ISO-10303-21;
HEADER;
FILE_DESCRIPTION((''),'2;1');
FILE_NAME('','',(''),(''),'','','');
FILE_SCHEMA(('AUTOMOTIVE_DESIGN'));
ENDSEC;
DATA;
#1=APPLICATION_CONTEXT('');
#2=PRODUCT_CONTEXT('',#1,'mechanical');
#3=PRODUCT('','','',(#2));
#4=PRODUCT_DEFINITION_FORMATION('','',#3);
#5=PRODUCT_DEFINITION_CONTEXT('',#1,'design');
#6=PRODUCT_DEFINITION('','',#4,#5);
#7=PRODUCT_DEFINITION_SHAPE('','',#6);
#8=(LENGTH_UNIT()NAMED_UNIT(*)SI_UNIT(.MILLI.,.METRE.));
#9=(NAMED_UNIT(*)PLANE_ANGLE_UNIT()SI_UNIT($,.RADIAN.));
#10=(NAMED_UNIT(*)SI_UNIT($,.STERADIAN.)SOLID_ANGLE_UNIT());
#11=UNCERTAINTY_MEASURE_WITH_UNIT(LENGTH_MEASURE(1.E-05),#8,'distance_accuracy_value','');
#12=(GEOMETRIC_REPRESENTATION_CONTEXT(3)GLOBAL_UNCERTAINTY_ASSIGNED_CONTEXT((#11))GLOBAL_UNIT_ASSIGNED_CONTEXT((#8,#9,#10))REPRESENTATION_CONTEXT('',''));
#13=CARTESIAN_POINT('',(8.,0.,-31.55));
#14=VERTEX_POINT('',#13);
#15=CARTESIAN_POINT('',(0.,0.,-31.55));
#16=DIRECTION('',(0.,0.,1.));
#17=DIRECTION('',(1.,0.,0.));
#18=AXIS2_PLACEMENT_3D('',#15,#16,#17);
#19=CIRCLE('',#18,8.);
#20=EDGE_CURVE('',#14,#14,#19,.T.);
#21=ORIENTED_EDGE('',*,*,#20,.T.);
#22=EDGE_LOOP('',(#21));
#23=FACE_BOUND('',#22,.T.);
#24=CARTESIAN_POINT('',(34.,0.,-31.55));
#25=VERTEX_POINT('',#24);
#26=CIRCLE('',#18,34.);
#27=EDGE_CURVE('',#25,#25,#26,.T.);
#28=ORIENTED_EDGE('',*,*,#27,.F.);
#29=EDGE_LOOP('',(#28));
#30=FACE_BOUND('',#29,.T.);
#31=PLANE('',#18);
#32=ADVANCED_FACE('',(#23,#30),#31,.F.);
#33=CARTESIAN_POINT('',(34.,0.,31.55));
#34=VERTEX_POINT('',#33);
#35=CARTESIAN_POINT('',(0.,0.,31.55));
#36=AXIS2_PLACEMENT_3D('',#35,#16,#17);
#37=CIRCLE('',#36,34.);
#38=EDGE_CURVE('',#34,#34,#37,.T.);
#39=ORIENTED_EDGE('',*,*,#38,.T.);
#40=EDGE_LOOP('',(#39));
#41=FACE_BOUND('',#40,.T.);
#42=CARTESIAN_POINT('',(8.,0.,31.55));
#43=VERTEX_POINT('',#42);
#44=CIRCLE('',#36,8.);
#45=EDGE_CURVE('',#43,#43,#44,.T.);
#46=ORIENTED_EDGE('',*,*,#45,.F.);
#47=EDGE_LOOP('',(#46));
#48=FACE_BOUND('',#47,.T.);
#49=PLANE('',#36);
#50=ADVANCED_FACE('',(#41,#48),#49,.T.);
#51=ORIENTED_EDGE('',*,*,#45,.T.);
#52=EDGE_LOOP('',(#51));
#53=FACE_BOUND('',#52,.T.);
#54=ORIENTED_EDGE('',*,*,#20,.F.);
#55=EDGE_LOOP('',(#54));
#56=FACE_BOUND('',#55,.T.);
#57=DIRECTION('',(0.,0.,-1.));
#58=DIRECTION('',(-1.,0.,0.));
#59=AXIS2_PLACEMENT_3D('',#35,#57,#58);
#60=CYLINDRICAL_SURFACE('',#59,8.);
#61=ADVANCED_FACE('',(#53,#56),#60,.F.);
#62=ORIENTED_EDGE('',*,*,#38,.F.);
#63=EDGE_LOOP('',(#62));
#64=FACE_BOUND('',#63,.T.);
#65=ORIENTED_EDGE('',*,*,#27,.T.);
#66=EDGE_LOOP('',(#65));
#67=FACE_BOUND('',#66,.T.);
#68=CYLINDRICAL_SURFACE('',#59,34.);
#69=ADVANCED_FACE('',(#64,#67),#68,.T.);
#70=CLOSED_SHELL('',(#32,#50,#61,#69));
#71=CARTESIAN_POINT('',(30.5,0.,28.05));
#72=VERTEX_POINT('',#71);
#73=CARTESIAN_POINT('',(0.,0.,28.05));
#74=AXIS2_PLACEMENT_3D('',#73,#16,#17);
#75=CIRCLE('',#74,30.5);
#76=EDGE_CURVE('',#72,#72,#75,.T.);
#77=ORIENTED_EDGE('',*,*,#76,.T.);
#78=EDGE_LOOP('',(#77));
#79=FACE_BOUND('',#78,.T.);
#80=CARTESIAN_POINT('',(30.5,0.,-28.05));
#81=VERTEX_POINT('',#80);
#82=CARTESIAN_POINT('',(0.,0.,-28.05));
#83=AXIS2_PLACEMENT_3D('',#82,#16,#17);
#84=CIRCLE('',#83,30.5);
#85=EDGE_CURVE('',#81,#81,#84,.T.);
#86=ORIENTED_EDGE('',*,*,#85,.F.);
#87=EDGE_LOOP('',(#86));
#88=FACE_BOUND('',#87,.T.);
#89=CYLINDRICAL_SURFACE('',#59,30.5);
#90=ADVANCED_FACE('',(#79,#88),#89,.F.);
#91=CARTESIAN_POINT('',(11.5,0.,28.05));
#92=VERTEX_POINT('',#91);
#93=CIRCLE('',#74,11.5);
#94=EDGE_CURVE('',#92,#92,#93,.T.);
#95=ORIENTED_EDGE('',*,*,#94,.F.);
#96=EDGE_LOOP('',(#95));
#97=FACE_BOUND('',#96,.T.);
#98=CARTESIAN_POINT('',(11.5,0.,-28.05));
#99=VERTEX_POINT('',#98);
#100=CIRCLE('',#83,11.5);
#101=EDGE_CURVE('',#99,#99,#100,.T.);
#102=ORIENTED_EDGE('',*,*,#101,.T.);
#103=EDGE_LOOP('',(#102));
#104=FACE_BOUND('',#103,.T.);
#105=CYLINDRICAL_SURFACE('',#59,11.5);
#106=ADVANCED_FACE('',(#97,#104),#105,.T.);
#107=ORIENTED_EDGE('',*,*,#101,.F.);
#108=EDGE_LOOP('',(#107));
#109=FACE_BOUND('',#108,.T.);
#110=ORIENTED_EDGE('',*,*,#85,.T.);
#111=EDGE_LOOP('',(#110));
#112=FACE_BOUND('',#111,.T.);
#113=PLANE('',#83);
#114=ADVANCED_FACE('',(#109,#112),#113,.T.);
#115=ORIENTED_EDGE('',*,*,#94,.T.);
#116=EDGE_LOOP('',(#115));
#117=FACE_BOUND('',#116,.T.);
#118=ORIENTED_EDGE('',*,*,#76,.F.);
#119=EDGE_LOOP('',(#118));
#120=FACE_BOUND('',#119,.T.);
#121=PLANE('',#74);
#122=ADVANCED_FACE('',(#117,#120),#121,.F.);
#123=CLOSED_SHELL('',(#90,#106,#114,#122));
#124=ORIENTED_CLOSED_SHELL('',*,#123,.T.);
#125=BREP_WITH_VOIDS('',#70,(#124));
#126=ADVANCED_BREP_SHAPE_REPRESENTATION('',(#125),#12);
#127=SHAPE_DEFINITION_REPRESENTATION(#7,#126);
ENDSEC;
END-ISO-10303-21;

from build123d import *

# Parameters (mm, degrees)
SKETCH1_R           = 34
SKETCH1_R_2         = 8
BOSS_EXTRUDE1_DEPTH = 31.55
SHELL1_T            = 3.5


with BuildPart() as part:
    # Sketch1 → Boss-Extrude1 (new, symmetric)
    with BuildSketch(Plane.XY):
        Circle(SKETCH1_R)
        Circle(SKETCH1_R_2, mode=Mode.SUBTRACT)
    extrude(amount=BOSS_EXTRUDE1_DEPTH, both=True)

    # Shell1 (no face opened: a closed hollow body)
    add(offset(amount=-SHELL1_T, mode=Mode.PRIVATE), mode=Mode.SUBTRACT)


solid = part.part
